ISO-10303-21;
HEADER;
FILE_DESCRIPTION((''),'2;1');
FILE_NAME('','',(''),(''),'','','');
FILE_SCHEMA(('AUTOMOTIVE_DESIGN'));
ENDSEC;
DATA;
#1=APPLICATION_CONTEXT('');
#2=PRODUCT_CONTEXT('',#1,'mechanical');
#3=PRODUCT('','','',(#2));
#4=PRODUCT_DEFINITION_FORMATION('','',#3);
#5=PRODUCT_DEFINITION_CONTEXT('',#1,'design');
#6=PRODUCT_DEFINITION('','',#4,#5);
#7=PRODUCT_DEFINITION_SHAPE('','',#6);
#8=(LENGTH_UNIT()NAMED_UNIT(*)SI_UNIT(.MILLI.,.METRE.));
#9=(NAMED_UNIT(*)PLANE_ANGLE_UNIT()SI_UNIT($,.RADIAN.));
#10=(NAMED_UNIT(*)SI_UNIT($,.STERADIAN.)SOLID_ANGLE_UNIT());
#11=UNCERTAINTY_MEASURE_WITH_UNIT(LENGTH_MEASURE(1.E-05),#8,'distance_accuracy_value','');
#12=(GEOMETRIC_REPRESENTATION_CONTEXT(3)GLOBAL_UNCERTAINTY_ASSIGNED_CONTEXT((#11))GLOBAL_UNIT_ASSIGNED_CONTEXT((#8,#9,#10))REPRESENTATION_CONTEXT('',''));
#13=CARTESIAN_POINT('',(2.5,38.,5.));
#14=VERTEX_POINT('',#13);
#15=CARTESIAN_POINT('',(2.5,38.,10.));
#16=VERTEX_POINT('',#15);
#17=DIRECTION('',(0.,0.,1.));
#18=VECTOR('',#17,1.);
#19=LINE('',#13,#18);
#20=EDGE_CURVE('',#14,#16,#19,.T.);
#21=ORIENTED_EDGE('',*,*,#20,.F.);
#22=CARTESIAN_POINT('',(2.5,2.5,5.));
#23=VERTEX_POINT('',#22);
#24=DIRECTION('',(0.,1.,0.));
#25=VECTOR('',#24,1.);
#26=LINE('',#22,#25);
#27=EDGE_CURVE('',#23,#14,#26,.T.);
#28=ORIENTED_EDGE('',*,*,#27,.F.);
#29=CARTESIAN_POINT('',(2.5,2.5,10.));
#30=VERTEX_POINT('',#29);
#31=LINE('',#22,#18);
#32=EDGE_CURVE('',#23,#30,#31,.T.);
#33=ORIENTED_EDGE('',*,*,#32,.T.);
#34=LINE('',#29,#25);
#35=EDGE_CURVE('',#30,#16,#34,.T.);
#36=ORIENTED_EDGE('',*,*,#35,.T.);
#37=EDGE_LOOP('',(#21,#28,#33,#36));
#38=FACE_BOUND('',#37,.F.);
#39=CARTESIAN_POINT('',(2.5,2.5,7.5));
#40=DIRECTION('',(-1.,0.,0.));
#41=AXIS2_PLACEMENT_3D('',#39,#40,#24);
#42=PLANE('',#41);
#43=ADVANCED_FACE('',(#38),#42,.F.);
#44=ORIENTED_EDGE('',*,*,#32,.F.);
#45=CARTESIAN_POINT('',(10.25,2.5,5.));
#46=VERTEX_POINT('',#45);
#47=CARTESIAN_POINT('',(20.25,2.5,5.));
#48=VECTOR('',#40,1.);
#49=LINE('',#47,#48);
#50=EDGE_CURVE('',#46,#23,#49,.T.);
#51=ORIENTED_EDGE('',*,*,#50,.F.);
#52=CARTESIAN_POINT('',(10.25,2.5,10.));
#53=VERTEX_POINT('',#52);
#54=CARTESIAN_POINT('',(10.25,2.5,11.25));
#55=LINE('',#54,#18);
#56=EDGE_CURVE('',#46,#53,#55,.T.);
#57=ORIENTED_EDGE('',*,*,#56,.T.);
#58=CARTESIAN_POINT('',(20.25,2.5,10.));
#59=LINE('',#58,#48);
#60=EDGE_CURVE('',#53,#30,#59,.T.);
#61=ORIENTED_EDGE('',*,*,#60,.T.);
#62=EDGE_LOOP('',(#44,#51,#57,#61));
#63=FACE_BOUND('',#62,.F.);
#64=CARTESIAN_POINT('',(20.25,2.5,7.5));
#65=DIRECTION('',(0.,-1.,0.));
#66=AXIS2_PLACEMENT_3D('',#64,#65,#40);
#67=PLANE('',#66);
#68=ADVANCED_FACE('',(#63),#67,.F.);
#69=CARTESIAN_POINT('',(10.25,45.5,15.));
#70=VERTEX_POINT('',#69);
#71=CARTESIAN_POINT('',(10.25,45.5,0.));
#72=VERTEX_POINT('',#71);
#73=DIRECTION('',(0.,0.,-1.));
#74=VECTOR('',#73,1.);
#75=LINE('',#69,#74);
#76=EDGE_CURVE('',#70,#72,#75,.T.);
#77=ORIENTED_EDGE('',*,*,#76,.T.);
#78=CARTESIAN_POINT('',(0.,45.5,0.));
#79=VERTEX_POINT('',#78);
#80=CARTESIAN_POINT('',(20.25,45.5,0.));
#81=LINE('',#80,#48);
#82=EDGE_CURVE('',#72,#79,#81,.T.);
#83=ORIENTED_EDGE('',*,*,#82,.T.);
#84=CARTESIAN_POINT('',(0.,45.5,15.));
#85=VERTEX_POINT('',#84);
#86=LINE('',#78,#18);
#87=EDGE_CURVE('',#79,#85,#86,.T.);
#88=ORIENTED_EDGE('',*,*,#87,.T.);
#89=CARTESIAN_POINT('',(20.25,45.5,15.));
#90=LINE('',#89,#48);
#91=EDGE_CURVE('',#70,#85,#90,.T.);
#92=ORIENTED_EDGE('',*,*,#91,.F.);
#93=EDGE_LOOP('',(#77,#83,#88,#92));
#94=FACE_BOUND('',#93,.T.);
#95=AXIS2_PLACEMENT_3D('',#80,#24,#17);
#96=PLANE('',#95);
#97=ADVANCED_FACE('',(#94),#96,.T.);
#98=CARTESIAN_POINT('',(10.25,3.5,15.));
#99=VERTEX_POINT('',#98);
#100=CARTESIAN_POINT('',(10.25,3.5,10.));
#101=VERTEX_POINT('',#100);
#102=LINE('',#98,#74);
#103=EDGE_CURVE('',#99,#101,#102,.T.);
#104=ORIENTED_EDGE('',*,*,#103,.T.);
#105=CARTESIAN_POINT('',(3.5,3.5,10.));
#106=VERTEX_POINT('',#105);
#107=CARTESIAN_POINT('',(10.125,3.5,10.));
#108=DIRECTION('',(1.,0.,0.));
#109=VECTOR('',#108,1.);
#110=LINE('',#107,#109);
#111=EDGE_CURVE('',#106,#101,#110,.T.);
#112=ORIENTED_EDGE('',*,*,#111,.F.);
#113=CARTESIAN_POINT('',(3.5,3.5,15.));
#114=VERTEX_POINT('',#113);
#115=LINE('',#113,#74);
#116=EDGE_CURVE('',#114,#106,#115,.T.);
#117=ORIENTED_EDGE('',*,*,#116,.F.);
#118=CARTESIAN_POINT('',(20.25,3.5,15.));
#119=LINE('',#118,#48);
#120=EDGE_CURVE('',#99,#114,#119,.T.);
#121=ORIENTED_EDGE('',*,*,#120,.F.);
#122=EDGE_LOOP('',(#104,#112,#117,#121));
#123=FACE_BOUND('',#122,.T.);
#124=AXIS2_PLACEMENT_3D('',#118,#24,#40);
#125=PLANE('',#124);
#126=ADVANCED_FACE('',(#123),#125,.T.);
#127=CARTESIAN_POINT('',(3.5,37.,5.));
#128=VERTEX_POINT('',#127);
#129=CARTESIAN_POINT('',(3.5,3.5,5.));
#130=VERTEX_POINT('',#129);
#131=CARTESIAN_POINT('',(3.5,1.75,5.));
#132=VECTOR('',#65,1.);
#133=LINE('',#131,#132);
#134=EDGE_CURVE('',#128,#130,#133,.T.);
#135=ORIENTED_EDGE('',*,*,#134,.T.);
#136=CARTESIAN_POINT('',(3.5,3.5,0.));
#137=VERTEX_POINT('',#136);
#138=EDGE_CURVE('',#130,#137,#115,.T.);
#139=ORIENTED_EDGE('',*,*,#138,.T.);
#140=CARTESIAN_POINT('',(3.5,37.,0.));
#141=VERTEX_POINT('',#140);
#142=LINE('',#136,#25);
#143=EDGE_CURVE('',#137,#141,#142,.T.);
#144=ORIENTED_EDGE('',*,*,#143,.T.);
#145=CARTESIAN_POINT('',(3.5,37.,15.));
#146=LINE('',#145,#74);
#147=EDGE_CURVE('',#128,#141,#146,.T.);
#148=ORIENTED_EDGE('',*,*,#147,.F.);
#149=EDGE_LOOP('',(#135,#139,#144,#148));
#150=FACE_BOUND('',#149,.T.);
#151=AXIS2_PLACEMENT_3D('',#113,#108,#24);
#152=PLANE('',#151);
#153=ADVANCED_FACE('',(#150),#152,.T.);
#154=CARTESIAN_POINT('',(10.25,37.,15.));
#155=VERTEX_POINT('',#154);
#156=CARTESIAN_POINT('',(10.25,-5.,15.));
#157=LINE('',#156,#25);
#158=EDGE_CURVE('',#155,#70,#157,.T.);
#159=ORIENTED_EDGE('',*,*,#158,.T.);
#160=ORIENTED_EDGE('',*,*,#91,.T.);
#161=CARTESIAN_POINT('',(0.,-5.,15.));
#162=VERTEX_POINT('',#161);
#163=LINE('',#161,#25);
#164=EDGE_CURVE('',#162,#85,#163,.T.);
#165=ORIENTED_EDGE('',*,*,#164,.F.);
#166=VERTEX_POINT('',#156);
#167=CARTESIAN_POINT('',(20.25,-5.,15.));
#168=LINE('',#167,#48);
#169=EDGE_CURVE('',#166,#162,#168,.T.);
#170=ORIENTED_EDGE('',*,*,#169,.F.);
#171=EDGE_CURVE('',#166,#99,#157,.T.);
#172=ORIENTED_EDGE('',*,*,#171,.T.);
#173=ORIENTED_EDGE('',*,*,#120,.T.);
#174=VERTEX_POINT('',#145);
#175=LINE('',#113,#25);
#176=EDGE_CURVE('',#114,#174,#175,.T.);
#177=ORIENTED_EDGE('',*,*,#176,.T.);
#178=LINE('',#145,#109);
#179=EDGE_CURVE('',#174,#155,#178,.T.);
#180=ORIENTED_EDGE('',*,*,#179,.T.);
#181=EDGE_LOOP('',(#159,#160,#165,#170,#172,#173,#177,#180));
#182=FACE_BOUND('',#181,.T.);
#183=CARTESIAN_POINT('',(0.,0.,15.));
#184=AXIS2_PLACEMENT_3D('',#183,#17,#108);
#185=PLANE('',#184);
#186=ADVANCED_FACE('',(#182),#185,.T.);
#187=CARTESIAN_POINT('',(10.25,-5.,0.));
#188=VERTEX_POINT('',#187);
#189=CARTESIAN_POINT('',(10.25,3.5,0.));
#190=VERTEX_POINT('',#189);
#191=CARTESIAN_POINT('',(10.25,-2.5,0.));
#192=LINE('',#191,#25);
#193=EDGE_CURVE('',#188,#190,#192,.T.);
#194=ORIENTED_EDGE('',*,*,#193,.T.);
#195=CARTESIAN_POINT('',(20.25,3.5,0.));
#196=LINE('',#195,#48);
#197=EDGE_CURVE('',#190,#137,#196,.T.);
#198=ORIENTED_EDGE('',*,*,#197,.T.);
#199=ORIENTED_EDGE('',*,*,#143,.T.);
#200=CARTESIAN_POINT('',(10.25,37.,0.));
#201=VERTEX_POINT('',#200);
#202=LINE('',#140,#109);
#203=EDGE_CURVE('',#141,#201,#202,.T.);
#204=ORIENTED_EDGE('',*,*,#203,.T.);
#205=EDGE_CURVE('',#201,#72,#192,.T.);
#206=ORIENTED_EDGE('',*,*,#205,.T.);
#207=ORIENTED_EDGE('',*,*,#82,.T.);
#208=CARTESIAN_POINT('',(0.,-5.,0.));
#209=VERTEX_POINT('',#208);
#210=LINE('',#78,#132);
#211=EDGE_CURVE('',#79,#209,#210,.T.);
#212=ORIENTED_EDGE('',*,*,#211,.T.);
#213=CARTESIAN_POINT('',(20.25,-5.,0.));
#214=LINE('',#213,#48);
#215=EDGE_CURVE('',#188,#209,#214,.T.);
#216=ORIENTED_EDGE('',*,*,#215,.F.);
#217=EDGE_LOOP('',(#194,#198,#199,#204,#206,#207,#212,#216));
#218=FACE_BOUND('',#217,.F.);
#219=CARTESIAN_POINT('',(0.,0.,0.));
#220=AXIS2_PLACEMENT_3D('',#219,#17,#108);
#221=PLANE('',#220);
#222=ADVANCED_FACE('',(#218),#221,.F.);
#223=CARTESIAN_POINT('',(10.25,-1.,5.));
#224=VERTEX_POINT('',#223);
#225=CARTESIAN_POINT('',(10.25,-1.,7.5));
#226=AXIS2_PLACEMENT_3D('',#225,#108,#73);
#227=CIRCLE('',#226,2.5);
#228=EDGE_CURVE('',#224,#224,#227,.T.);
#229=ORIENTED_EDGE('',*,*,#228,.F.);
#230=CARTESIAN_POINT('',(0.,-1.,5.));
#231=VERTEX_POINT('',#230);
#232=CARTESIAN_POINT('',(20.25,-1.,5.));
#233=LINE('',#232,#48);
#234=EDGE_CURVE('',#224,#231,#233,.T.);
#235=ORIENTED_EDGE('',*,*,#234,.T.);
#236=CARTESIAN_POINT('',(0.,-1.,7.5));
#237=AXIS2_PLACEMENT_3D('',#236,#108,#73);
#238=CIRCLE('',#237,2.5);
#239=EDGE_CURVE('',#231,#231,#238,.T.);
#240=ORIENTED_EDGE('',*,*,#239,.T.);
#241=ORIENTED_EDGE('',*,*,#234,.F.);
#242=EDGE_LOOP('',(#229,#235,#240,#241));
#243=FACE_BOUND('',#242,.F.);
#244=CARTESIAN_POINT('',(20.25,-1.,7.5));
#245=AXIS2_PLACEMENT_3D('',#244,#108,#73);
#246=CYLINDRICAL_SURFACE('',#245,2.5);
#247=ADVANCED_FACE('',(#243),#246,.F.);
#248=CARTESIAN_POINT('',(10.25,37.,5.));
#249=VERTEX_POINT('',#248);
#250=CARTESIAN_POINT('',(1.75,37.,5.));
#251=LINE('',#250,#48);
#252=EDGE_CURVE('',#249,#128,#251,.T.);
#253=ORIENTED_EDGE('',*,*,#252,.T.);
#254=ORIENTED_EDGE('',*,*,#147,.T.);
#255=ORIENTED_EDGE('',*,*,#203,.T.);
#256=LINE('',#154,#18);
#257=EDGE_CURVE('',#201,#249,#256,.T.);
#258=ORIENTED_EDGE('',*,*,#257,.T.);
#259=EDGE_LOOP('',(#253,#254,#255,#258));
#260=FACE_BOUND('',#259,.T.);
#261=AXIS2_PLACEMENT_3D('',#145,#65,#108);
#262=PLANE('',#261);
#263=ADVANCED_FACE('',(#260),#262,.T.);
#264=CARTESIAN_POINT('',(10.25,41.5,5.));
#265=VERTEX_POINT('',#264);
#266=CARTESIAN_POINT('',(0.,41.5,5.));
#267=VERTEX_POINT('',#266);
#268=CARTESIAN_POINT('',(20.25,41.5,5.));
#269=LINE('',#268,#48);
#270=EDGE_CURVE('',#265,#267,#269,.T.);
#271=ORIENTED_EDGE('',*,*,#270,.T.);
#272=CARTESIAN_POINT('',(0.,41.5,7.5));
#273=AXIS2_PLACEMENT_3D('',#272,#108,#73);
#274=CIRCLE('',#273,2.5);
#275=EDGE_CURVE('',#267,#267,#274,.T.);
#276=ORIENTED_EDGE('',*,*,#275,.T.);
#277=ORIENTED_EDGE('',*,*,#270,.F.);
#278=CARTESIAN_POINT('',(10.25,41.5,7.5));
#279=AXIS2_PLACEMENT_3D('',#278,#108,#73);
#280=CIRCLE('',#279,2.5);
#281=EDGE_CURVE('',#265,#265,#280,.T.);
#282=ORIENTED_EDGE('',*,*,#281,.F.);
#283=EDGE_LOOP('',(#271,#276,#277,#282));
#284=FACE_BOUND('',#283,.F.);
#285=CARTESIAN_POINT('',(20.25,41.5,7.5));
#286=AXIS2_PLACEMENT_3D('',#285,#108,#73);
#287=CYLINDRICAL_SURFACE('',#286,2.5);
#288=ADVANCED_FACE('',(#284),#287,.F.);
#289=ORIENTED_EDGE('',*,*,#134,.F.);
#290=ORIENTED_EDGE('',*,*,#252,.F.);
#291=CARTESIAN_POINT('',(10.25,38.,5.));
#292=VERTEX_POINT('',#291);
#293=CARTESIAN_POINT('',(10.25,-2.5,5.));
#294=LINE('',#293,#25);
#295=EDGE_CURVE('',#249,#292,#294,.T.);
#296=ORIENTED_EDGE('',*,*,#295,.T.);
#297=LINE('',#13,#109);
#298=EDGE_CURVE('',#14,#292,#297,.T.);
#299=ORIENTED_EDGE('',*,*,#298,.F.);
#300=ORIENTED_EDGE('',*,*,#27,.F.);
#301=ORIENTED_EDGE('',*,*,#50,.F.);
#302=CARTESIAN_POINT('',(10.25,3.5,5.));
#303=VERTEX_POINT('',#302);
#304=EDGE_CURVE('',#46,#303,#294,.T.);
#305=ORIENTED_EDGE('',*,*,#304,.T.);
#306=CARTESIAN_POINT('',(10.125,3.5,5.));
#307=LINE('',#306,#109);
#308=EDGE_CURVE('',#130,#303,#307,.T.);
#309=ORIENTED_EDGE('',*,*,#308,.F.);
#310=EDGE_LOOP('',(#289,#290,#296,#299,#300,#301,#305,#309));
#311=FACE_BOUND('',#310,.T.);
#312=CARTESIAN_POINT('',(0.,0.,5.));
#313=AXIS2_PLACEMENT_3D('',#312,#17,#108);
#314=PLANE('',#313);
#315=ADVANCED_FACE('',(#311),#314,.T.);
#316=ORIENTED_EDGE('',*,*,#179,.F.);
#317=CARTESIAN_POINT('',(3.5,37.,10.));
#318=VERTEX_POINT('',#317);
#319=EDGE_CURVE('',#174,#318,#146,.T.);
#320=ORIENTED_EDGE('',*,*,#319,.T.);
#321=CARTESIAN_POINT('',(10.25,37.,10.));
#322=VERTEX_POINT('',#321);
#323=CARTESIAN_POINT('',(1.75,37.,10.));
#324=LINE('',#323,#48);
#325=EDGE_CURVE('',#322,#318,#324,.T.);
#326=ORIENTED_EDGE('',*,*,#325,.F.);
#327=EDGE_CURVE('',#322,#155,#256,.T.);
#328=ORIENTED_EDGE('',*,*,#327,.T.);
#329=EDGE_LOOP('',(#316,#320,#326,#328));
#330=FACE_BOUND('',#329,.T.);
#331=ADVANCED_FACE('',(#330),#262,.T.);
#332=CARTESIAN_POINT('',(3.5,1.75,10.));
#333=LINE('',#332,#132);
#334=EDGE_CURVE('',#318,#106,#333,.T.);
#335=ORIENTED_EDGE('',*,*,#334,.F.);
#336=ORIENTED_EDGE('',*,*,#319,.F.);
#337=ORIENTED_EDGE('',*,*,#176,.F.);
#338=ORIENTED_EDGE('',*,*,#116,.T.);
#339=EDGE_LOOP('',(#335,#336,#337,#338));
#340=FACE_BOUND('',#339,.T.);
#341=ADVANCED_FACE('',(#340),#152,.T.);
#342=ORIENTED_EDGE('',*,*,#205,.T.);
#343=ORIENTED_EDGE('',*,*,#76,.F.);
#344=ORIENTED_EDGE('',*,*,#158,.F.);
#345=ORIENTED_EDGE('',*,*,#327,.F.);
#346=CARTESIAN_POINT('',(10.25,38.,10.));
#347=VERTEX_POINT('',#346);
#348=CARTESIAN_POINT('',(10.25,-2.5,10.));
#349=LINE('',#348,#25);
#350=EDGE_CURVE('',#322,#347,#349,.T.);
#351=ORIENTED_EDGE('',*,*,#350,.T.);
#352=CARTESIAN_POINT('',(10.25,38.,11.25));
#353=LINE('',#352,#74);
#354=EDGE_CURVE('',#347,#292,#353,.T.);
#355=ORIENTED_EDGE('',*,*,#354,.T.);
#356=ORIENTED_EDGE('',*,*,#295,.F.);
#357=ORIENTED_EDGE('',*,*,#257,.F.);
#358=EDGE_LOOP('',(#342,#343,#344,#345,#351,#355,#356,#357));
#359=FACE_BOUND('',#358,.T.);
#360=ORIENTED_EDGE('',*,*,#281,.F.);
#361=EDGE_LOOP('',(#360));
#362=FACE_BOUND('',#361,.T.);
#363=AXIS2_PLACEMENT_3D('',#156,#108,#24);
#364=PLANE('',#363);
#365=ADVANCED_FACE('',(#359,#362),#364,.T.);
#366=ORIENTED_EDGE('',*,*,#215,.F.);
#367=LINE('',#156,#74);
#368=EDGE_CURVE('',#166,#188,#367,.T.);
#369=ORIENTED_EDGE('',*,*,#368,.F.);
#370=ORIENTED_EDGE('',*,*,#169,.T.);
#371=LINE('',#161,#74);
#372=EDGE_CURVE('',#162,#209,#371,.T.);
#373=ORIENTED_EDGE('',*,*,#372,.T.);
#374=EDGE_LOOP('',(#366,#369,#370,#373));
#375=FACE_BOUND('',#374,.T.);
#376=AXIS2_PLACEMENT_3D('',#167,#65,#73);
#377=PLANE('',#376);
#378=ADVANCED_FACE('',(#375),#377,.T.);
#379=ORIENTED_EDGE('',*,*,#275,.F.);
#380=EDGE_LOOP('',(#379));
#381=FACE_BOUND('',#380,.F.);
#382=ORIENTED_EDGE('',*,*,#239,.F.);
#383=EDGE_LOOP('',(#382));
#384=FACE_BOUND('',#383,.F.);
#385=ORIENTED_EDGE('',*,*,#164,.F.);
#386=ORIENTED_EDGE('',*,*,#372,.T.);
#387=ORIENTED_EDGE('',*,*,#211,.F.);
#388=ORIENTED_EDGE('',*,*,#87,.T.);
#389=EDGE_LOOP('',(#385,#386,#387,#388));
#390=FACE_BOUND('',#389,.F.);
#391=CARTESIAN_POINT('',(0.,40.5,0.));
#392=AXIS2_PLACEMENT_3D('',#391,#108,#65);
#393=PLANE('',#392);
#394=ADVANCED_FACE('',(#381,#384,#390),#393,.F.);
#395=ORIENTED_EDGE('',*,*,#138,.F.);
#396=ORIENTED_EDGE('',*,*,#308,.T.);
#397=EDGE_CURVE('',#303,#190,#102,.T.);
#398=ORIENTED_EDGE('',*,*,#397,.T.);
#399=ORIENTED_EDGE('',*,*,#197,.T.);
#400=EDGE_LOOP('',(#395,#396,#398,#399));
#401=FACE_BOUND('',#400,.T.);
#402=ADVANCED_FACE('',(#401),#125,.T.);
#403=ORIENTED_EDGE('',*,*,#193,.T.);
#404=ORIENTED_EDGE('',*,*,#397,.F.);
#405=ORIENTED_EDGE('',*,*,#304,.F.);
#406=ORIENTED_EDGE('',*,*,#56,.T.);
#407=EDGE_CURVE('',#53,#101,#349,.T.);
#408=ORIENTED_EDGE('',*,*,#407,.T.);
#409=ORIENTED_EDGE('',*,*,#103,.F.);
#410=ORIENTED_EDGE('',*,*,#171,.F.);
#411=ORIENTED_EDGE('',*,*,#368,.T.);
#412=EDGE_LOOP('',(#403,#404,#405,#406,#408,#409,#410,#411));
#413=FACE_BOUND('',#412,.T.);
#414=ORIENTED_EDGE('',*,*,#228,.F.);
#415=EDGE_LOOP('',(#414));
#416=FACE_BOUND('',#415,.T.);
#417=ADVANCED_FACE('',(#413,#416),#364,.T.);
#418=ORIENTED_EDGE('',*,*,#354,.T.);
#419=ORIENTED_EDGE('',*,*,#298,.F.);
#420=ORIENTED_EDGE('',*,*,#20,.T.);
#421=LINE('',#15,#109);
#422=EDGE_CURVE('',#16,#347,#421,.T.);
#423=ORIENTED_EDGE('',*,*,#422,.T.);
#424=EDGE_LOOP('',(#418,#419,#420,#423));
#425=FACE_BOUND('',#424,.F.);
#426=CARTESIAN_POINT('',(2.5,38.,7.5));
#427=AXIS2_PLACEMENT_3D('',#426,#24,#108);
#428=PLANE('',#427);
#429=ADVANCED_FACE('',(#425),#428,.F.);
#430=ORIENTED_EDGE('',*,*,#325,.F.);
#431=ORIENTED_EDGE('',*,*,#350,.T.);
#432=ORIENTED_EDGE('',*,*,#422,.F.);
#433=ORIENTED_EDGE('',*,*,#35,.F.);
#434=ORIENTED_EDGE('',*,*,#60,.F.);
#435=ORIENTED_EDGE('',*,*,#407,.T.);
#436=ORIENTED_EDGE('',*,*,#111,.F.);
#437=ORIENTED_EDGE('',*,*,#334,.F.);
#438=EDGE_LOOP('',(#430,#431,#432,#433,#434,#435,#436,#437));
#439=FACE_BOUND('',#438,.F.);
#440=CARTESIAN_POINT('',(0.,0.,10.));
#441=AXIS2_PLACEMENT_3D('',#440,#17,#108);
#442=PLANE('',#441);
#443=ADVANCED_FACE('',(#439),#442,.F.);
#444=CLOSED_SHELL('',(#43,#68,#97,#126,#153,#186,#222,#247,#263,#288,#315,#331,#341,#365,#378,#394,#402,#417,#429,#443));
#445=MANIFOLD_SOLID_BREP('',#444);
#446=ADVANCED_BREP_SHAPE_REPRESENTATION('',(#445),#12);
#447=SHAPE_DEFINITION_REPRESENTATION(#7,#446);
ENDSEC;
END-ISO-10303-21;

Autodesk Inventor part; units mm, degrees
ref_plane "YZ Plane" through (0, 0, 0) normal (1, 0, 0) x (0, 1, 0)
ref_plane "XZ Plane" through (0, 0, 0) normal (0, 1, 0) x (-1, 0, 0)
sketch "Sketch1" plane through (0, 0, 0) normal (0, 0, 1) x (1, 0, 0)
  line L0 (0, 0) -> (20.25, 0)
  line L1 (20.25, 0) -> (20.25, 40.5)
  line L2 (20.25, 40.5) -> (0, 40.5)
  line L3 (0, 40.5) -> (0, 0)
  dimension "d0" = 40.5
  dimension "d1" = 20.25
extrude "Extrusion1" add sketch "Sketch1" along normal blind 15
sketch "Sketch2" plane through (0, 0, 15) normal (0, 0, 1) x (1, 0, 0)
  line L0 (3.5, 37) -> (20.25, 37)
  line L1 (20.25, 37) -> (20.25, 3.5)
  line L2 (20.25, 3.5) -> (3.5, 3.5)
  line L3 (3.5, 3.5) -> (3.5, 37)
  line L4 (20.25, 0) -> (20.25, 40.5) projected
  line L5 (20.25, 40.5) -> (0, 40.5) projected
  line L6 (0, 0) -> (20.25, 0) projected
  dimension "d4" = 16.75
  dimension "d5" = 3.5
  dimension "d6" = 3.5
extrude "Extrusion2" cut sketch "Sketch2" against normal blind 15
ref_plane "Work Plane1" through (0, 0, 7.5) normal (0, 0, 1) x (1, 0, 0)
sketch "Sketch3" plane through (0, 0, 7.5) normal (0, 0, 1) x (1, 0, 0)
  line L0 (2.5, 38) -> (20.25, 38)
  line L1 (20.25, 38) -> (20.25, 2.5)
  line L2 (20.25, 2.5) -> (2.5, 2.5)
  line L3 (2.5, 2.5) -> (2.5, 38)
  line L4 (20.25, 0) -> (20.25, 3.5) projected
  line L5 (20.25, 40.5) -> (0, 40.5) projected
  line L6 (0, 0) -> (20.25, 0) projected
  line L7 (0, 40.5) -> (0, 0) projected
  dimension "d10" = 2.5
  dimension "d11" = 2.5
  dimension "d12" = 2.5
extrude "Extrusion3" cut sketch "Sketch3" along normal mid plane 5
sketch "Sketch4" plane through (20.25, 40.5, 15) normal (1, 0, 0) x (0, 0, -1)
  line L0 (15, 0) -> (0, 0) projected
  line L1 (0, 0) -> (15, 0)
  line L2 (15, 0) -> (15, 5)
  line L3 (15, 5) -> (0, 5)
  line L4 (0, 5) -> (0, 0)
  line L5 (15, -40.5) -> (15, -37) projected
  line L6 (15, -40.5) -> (0, -40.5)
  line L7 (0, -40.5) -> (0, -45.5)
  line L8 (0, -45.5) -> (15, -45.5)
  line L9 (15, -45.5) -> (15, -40.5)
  dimension "d15" = 5
  dimension "d16" = 5
extrude "Extrusion4" add sketch "Sketch4" against normal blind 20.25
sketch "Sketch5" plane through (0, 0, 15) normal (0, 0, 1) x (1, 0, 0)
  point P0 (0, 0)
sketch "Sketch6" plane through (20.25, 37, 10) normal (1, 0, 0) x (0, 0, -1)
  circle A0 centre (2.5, 4.5) radius 2.5
  circle A1 centre (2.5, -38) radius 2.5
  line L0 (10, 0) -> (10, 8.5) projected
  line L1 (0, 1) -> (5, 1) projected
  line L2 (10, 8.5) -> (-5, 8.5) projected
  line L3 (5, -34.5) -> (0, -34.5) projected
  point P0 (10, -37)
  dimension "d19" = 7.5
  dimension "d20" = 0
  dimension "d21" = 3.5
  dimension "d22" = 7.5
  dimension "d23" = 3.5
  dimension "d24" = 5
extrude "Extrusion5" cut sketch "Sketch6" against normal blind 50
sketch "Sketch7" plane through (0, 0, 15) normal (0, 0, 1) x (1, 0, 0)
  point P0 (0, 0)
sketch "Sketch8" plane through (0, 0, 15) normal (0, 0, 1) x (1, 0, 0)
  line L0 (20.25, 3.5) -> (20.25, -5) projected
  line L1 (10.25, 45.5) -> (20.25, 45.5)
  line L2 (20.25, 45.5) -> (20.25, -5)
  line L3 (20.25, -5) -> (10.25, -5)
  line L4 (10.25, -5) -> (10.25, 45.5)
  point P0 (0, 0)
  dimension "d27" = 10
extrude "Extrusion6" cut sketch "Sketch8" against normal through all
properties part number "standlower"
